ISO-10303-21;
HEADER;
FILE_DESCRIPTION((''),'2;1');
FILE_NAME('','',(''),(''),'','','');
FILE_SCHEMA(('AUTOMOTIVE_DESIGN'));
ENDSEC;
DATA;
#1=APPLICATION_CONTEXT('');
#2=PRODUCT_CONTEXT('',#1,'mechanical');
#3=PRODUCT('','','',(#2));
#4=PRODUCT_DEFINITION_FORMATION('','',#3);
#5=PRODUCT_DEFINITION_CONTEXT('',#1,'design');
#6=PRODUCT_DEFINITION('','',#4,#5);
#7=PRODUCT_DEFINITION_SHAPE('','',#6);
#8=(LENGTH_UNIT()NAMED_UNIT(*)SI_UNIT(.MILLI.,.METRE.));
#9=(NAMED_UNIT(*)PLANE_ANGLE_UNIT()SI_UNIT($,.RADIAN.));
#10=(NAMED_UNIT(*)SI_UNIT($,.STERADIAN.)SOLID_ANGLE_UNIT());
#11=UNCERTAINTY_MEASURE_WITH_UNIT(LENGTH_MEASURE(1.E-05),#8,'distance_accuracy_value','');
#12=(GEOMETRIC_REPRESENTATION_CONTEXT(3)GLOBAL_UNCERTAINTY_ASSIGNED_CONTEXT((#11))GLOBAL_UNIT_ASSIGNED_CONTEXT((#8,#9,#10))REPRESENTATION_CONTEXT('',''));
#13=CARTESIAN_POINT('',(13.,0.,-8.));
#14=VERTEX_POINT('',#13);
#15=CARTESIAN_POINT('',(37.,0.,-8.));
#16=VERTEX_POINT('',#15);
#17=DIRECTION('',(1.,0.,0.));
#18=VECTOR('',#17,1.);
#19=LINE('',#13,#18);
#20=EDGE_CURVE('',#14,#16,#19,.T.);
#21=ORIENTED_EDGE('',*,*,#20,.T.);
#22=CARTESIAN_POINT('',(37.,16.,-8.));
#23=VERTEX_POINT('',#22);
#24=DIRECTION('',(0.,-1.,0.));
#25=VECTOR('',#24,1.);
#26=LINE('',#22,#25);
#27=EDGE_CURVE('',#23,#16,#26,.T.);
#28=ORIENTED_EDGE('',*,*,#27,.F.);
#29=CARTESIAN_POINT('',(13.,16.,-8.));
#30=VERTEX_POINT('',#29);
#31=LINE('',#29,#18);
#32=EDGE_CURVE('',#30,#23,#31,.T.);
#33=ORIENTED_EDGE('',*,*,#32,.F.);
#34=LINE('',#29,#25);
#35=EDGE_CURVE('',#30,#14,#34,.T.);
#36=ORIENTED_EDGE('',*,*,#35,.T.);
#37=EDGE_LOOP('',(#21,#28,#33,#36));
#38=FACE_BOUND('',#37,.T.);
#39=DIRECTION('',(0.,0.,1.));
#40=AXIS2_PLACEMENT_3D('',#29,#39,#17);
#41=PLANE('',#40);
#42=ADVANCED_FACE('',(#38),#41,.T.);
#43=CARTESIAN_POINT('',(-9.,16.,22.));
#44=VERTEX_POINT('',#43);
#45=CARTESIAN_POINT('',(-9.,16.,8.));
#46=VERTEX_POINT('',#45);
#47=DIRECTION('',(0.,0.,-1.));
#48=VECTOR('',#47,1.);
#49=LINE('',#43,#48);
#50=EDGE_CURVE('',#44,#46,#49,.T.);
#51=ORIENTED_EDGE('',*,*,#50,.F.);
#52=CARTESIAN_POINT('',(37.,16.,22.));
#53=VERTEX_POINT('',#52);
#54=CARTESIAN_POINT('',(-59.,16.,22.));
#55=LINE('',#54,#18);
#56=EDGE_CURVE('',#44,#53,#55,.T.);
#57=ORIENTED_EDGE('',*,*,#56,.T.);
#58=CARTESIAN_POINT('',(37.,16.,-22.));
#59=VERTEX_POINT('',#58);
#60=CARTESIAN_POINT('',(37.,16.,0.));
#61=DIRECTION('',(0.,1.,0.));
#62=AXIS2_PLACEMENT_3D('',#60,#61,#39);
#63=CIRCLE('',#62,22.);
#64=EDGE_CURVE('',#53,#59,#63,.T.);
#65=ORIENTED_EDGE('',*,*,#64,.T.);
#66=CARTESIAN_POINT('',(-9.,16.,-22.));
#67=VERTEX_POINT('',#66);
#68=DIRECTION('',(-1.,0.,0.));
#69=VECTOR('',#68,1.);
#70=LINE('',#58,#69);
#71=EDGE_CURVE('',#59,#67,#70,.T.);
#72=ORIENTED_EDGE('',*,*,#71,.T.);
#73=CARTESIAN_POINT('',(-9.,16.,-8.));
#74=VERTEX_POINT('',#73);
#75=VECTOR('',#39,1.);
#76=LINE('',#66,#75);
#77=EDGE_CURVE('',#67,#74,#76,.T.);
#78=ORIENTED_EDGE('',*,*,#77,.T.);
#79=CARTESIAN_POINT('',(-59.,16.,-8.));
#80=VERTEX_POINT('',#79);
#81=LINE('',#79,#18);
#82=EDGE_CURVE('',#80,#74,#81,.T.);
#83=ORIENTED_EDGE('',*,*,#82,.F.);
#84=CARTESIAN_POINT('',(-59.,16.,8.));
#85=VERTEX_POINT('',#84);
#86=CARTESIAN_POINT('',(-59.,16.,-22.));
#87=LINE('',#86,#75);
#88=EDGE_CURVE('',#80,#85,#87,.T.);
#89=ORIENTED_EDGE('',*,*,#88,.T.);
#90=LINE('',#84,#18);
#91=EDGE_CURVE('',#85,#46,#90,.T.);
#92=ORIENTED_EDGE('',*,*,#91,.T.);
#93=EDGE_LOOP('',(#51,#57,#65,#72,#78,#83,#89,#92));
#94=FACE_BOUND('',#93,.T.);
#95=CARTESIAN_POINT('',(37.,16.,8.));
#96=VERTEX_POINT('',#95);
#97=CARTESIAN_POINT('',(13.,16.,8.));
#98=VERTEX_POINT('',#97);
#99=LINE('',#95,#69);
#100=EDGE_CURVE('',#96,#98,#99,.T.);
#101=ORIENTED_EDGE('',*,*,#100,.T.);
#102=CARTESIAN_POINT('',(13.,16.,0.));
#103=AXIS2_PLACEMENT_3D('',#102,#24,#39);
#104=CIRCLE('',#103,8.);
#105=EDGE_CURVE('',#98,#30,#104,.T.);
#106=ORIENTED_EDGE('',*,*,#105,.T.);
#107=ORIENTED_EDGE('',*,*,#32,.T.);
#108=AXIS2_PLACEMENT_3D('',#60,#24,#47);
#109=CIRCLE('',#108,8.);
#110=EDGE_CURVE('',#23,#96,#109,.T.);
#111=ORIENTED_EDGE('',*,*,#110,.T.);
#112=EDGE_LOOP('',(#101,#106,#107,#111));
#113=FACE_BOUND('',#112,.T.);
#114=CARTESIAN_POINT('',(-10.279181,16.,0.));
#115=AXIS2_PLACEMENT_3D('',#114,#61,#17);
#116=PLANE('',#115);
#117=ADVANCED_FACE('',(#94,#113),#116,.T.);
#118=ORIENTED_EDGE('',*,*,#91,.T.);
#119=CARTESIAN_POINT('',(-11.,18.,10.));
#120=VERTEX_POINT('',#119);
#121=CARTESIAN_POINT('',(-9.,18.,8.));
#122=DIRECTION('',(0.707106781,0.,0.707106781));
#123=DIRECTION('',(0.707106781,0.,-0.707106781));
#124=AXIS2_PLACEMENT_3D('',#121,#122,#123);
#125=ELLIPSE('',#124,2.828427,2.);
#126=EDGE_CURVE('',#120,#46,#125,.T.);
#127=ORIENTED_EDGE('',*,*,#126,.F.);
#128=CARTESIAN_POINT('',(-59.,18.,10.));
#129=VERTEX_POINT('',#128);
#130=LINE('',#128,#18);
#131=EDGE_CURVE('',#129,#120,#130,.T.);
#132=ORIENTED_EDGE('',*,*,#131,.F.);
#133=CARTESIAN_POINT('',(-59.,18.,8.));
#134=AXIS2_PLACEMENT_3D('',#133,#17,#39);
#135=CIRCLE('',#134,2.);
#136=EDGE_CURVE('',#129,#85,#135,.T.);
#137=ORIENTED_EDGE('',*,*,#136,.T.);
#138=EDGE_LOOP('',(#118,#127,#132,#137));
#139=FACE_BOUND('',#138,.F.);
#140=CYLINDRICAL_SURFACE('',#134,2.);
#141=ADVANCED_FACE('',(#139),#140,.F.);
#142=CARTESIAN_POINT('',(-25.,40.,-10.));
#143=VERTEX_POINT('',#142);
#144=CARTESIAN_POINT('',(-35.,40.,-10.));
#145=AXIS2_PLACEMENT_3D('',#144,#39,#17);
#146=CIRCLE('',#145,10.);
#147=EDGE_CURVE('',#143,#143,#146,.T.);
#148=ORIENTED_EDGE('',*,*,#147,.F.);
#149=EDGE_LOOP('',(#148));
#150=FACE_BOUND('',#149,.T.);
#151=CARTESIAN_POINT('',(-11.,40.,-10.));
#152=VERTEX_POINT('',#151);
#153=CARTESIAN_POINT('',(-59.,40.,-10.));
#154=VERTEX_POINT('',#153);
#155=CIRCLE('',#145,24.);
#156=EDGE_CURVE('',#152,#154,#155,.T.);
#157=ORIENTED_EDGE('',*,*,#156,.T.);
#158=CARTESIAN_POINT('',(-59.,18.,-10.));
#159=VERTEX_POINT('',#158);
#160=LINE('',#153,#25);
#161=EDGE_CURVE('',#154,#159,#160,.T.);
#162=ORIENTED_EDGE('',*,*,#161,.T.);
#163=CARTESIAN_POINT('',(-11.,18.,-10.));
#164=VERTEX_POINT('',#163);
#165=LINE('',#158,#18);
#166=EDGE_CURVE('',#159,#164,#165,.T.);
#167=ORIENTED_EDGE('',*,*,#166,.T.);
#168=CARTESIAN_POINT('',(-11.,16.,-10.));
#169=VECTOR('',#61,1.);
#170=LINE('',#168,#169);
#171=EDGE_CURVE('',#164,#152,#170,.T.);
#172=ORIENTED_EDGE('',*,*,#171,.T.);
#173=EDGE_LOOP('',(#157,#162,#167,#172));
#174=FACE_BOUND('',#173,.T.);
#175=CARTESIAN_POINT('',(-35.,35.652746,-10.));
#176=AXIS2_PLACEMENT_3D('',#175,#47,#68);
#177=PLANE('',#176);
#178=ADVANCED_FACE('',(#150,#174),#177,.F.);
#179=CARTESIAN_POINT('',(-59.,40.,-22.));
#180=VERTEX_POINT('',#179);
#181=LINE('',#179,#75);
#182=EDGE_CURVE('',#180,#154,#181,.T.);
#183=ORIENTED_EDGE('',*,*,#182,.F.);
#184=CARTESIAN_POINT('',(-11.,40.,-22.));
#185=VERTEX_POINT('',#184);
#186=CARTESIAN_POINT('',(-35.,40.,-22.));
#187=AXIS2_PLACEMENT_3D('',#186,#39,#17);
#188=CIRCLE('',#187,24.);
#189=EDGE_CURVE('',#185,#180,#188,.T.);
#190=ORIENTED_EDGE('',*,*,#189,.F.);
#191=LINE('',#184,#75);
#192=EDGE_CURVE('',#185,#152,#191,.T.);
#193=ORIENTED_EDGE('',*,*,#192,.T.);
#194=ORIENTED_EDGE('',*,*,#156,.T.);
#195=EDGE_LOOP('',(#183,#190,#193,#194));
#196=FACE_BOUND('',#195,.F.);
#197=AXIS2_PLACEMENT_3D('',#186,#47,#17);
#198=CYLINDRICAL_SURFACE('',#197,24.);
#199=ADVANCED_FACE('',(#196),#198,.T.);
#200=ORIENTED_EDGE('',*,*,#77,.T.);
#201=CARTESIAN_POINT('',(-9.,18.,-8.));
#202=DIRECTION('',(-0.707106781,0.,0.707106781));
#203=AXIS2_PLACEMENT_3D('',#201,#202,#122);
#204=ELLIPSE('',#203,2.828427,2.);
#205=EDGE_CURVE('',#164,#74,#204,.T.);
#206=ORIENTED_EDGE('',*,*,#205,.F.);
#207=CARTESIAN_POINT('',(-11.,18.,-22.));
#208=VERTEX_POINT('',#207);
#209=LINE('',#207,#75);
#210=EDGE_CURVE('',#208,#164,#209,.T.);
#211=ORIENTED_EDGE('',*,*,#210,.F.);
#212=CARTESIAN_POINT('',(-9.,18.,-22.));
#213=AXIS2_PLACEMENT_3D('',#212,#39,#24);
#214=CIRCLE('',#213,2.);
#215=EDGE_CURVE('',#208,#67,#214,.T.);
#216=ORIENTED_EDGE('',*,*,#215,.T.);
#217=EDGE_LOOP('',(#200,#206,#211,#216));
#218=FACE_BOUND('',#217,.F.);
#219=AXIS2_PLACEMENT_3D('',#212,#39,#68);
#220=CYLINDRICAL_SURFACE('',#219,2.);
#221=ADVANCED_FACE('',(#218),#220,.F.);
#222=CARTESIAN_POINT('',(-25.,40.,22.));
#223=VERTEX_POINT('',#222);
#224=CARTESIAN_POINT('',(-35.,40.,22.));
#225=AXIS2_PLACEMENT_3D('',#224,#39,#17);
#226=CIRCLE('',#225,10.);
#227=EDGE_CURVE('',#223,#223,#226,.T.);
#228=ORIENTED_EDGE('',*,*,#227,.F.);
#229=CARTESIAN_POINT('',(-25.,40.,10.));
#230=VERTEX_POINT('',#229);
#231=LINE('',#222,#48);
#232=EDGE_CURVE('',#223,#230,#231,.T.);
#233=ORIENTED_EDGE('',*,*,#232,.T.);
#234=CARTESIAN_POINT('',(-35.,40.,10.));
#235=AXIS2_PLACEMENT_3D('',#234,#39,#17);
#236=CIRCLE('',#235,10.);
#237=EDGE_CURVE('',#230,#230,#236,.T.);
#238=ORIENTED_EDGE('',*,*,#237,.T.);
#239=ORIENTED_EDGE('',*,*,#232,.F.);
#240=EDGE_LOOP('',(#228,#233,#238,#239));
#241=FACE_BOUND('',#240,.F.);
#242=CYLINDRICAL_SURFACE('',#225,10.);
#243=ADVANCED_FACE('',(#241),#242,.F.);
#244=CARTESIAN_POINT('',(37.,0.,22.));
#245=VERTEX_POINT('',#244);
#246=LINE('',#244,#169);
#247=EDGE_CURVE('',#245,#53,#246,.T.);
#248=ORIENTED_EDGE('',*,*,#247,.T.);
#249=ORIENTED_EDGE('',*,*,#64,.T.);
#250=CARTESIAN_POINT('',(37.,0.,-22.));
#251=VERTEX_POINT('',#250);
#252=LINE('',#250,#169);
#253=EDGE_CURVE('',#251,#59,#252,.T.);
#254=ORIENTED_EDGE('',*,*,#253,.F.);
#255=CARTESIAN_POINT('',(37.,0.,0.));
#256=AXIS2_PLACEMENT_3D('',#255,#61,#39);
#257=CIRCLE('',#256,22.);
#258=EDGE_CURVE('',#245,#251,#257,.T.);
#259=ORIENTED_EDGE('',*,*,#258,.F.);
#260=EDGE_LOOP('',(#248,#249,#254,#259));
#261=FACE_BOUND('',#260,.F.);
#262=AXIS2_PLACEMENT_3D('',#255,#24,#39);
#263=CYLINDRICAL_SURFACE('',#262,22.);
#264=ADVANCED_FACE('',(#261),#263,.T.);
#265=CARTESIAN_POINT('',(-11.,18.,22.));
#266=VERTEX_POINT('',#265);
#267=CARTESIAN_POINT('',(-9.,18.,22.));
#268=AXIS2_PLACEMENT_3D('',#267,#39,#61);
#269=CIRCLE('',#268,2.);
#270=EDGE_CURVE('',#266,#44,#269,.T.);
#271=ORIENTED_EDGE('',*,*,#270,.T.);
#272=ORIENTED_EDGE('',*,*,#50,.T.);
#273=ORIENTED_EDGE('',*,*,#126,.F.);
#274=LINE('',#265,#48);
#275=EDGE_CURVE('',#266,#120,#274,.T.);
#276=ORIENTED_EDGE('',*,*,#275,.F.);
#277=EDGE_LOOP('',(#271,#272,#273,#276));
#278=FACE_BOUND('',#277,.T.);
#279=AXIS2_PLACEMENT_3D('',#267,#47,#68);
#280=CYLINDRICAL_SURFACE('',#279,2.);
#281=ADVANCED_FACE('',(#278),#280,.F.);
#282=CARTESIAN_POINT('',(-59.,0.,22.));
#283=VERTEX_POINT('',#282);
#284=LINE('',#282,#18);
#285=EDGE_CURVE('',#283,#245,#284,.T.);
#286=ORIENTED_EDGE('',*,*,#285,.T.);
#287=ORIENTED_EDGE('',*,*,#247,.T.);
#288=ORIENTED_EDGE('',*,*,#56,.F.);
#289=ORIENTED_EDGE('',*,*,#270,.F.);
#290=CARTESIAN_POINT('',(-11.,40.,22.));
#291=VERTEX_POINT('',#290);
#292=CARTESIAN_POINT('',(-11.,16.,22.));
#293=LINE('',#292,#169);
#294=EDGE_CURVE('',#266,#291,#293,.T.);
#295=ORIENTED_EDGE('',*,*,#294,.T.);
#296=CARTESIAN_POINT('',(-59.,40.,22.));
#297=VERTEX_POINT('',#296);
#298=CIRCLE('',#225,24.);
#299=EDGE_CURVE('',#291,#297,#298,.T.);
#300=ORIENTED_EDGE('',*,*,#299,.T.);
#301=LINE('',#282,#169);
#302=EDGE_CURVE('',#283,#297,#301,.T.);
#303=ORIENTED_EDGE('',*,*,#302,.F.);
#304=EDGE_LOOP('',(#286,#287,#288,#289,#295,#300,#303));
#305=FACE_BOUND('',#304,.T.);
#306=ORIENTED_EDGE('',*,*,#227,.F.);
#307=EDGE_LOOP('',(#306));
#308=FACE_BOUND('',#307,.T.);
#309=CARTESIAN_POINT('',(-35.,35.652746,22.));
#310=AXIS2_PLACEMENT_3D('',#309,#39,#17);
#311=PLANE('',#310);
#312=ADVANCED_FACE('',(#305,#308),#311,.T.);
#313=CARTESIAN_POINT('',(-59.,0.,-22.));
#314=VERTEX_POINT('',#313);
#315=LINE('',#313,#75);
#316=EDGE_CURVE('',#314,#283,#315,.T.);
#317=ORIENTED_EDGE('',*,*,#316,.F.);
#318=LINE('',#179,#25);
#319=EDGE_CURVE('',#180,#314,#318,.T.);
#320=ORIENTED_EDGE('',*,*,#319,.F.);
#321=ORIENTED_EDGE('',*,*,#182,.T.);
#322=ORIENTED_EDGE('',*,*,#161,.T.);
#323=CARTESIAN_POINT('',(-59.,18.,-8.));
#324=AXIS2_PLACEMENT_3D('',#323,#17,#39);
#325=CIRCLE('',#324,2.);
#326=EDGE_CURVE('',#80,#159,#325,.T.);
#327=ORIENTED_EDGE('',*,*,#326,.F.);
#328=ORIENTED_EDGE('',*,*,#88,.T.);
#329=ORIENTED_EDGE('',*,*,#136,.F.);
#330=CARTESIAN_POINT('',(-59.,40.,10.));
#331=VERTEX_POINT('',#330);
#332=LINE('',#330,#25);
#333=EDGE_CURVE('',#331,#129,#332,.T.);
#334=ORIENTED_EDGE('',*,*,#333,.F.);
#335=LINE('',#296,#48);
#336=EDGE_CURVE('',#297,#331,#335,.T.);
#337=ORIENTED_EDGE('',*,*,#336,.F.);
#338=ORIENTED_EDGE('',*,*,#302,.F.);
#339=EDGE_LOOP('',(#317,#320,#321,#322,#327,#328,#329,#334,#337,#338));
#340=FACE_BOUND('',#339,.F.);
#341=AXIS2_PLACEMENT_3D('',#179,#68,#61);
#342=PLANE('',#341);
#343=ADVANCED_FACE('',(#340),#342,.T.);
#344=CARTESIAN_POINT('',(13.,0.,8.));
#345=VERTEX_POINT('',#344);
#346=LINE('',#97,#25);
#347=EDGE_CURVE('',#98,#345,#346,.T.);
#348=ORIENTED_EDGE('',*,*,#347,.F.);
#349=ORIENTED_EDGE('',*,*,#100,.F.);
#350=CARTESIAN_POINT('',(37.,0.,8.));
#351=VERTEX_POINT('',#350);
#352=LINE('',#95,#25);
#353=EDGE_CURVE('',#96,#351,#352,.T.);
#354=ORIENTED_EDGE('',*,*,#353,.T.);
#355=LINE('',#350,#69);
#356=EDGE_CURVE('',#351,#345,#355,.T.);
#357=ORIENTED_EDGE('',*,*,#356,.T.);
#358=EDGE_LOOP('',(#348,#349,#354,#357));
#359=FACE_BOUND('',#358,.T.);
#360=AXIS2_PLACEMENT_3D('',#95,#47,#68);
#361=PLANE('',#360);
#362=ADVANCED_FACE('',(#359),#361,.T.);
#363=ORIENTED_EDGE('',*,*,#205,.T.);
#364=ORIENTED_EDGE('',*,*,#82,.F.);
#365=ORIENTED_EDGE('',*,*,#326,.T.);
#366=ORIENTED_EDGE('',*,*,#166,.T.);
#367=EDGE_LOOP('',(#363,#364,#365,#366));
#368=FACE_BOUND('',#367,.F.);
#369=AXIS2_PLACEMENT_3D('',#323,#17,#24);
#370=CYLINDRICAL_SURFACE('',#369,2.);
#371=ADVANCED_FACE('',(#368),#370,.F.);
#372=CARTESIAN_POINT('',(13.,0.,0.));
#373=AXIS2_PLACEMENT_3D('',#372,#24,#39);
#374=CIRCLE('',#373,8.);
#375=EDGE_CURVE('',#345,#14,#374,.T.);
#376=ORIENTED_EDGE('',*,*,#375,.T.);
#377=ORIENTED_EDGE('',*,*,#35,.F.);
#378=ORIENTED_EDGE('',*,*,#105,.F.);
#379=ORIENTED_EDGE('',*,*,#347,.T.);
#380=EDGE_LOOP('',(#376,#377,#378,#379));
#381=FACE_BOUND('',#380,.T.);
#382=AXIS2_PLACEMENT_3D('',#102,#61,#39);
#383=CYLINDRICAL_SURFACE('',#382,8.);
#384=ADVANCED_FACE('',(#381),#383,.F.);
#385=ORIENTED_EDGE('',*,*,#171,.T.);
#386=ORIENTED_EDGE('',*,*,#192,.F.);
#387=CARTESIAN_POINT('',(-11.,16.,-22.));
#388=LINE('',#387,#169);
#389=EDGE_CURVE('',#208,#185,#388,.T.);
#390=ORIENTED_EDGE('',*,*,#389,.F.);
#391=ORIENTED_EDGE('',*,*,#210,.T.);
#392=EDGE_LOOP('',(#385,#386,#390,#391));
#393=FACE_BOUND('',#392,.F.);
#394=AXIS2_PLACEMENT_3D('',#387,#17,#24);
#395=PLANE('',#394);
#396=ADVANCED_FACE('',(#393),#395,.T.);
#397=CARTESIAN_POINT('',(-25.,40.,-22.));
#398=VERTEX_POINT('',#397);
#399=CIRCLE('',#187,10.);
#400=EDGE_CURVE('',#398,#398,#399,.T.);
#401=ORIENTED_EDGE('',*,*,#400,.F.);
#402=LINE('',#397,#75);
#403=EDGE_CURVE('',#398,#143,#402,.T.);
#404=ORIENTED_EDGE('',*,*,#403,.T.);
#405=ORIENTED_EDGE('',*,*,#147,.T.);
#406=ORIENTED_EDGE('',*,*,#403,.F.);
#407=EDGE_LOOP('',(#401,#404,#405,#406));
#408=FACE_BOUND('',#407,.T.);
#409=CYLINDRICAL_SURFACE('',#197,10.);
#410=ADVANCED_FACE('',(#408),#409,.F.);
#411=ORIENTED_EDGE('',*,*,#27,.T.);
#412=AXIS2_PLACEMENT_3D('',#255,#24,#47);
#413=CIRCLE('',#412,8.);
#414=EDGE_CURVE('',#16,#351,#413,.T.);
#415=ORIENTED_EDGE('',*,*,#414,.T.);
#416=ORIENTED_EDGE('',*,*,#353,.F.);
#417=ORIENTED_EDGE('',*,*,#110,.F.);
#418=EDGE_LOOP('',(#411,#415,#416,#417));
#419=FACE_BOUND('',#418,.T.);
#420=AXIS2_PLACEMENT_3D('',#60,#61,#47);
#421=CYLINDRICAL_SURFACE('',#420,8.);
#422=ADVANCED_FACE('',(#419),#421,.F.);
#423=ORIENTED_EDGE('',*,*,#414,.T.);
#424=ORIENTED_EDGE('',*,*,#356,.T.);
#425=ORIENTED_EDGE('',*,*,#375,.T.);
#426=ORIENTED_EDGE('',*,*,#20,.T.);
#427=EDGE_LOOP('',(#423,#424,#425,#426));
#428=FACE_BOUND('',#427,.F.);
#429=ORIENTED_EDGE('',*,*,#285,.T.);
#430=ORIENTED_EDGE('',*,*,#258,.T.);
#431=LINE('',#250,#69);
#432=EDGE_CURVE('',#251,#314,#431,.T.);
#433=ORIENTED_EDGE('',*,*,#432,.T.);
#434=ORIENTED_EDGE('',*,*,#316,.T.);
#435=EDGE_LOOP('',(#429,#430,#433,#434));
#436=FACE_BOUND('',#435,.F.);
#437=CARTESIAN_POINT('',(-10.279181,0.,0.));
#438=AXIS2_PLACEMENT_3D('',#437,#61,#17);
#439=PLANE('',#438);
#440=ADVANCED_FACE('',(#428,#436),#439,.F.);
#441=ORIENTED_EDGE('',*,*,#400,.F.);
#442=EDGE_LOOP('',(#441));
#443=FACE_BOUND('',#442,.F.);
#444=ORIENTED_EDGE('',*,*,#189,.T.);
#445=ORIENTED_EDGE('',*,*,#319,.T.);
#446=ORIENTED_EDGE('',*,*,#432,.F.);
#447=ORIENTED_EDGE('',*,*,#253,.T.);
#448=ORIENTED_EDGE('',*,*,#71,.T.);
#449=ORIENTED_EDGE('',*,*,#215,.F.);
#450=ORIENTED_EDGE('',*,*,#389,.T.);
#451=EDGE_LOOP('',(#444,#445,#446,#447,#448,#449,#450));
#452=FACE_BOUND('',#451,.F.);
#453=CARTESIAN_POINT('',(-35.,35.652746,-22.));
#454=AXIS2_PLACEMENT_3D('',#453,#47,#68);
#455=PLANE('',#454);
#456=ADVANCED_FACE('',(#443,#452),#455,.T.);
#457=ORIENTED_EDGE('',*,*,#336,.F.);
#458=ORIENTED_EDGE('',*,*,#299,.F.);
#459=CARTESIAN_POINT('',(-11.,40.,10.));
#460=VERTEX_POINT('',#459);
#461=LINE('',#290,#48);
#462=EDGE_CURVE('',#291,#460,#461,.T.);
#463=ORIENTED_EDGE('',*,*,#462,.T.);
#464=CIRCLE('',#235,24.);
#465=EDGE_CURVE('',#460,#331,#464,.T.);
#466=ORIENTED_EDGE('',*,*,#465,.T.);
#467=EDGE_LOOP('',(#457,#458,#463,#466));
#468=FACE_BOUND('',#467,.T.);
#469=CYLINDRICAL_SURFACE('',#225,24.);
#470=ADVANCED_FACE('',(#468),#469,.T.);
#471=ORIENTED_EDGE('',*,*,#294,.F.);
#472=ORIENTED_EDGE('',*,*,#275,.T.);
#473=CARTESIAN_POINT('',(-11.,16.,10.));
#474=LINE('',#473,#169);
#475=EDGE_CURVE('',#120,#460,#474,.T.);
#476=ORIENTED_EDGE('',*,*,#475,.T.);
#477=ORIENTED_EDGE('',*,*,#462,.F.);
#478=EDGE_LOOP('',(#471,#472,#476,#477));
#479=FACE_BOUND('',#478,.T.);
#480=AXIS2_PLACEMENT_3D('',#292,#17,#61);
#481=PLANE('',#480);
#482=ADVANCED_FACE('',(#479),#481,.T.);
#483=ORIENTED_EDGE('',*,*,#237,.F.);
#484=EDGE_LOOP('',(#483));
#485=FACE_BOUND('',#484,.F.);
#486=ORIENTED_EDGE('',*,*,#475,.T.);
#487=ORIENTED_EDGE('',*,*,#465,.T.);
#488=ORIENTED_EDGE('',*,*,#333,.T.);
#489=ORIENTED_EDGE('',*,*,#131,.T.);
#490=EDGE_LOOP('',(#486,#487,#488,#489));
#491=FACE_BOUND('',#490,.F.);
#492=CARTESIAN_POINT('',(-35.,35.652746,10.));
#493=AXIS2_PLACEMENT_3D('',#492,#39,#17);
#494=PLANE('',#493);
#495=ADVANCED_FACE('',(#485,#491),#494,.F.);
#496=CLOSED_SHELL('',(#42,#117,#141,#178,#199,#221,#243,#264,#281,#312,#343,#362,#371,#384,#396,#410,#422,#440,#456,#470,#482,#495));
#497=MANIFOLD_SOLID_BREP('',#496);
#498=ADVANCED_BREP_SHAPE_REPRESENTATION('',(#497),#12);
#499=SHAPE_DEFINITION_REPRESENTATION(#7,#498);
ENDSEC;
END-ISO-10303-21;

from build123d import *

# Parameters (mm, degrees)
SKETCH1_R           = 22
BOSS_EXTRUDE1_DEPTH = 16
CUT_EXTRUDE1_DEPTH  = 16
SKETCH3_R           = 10
BOSS_EXTRUDE2_DEPTH = 12
FILLET1_R           = 2


with BuildPart() as part:
    # Sketch1 → Boss-Extrude1 (new body)
    with BuildSketch(Plane(origin=(0, 0, 0), x_dir=(1, 0, 0), z_dir=(0, 1, 0))):
        with BuildLine():
            Line((37, 22), (-59, 22))
            Line((-59, 22), (-59, -22))
            Line((-59, -22), (37, -22))
            ThreePointArc((37, -22), (15, 0), (37, 22))
        make_face()
        with Locations((37, 0)):
            Circle(SKETCH1_R)
    extrude(amount=BOSS_EXTRUDE1_DEPTH)

    # Sketch2 → Cut-Extrude1 (cut)
    with BuildSketch(Plane(origin=(0, 16, 0), x_dir=(1, 0, 0), z_dir=(0, 1, 0))):
        with BuildLine():
            Line((37, -8), (13, -8))
            ThreePointArc((13, -8), (5, 0), (13, 8))
            Line((13, 8), (37, 8))
            ThreePointArc((37, 8), (45, 0), (37, -8))
        make_face()
    extrude(amount=-CUT_EXTRUDE1_DEPTH, mode=Mode.SUBTRACT)

    # Sketch3 → Boss-Extrude2 (add)
    with BuildSketch(Plane.XY.offset(22)):
        with BuildLine():
            Line((-59, 40), (-59, 16))
            Line((-59, 16), (-11, 16))
            Line((-11, 16), (-11, 40))
            ThreePointArc((-11, 40), (-35, 64), (-59, 40))
        make_face()
        with Locations((-35, 40)):
            Circle(SKETCH3_R, mode=Mode.SUBTRACT)
    boss_extrude2 = extrude(amount=-BOSS_EXTRUDE2_DEPTH)

    # Mirror1: Boss-Extrude2 across plane
    add(boss_extrude2.mirror(Plane.XY))

    # Fillet1
    fillet1_edges = [part.edges().sort_by_distance(p)[0] for p in [
        (-11, 16, 16),
        (-35, 16, 10),
        (-11, 16, -16),
        (-35, 16, -10),
    ]]
    fillet(fillet1_edges, radius=FILLET1_R)


solid = part.part
